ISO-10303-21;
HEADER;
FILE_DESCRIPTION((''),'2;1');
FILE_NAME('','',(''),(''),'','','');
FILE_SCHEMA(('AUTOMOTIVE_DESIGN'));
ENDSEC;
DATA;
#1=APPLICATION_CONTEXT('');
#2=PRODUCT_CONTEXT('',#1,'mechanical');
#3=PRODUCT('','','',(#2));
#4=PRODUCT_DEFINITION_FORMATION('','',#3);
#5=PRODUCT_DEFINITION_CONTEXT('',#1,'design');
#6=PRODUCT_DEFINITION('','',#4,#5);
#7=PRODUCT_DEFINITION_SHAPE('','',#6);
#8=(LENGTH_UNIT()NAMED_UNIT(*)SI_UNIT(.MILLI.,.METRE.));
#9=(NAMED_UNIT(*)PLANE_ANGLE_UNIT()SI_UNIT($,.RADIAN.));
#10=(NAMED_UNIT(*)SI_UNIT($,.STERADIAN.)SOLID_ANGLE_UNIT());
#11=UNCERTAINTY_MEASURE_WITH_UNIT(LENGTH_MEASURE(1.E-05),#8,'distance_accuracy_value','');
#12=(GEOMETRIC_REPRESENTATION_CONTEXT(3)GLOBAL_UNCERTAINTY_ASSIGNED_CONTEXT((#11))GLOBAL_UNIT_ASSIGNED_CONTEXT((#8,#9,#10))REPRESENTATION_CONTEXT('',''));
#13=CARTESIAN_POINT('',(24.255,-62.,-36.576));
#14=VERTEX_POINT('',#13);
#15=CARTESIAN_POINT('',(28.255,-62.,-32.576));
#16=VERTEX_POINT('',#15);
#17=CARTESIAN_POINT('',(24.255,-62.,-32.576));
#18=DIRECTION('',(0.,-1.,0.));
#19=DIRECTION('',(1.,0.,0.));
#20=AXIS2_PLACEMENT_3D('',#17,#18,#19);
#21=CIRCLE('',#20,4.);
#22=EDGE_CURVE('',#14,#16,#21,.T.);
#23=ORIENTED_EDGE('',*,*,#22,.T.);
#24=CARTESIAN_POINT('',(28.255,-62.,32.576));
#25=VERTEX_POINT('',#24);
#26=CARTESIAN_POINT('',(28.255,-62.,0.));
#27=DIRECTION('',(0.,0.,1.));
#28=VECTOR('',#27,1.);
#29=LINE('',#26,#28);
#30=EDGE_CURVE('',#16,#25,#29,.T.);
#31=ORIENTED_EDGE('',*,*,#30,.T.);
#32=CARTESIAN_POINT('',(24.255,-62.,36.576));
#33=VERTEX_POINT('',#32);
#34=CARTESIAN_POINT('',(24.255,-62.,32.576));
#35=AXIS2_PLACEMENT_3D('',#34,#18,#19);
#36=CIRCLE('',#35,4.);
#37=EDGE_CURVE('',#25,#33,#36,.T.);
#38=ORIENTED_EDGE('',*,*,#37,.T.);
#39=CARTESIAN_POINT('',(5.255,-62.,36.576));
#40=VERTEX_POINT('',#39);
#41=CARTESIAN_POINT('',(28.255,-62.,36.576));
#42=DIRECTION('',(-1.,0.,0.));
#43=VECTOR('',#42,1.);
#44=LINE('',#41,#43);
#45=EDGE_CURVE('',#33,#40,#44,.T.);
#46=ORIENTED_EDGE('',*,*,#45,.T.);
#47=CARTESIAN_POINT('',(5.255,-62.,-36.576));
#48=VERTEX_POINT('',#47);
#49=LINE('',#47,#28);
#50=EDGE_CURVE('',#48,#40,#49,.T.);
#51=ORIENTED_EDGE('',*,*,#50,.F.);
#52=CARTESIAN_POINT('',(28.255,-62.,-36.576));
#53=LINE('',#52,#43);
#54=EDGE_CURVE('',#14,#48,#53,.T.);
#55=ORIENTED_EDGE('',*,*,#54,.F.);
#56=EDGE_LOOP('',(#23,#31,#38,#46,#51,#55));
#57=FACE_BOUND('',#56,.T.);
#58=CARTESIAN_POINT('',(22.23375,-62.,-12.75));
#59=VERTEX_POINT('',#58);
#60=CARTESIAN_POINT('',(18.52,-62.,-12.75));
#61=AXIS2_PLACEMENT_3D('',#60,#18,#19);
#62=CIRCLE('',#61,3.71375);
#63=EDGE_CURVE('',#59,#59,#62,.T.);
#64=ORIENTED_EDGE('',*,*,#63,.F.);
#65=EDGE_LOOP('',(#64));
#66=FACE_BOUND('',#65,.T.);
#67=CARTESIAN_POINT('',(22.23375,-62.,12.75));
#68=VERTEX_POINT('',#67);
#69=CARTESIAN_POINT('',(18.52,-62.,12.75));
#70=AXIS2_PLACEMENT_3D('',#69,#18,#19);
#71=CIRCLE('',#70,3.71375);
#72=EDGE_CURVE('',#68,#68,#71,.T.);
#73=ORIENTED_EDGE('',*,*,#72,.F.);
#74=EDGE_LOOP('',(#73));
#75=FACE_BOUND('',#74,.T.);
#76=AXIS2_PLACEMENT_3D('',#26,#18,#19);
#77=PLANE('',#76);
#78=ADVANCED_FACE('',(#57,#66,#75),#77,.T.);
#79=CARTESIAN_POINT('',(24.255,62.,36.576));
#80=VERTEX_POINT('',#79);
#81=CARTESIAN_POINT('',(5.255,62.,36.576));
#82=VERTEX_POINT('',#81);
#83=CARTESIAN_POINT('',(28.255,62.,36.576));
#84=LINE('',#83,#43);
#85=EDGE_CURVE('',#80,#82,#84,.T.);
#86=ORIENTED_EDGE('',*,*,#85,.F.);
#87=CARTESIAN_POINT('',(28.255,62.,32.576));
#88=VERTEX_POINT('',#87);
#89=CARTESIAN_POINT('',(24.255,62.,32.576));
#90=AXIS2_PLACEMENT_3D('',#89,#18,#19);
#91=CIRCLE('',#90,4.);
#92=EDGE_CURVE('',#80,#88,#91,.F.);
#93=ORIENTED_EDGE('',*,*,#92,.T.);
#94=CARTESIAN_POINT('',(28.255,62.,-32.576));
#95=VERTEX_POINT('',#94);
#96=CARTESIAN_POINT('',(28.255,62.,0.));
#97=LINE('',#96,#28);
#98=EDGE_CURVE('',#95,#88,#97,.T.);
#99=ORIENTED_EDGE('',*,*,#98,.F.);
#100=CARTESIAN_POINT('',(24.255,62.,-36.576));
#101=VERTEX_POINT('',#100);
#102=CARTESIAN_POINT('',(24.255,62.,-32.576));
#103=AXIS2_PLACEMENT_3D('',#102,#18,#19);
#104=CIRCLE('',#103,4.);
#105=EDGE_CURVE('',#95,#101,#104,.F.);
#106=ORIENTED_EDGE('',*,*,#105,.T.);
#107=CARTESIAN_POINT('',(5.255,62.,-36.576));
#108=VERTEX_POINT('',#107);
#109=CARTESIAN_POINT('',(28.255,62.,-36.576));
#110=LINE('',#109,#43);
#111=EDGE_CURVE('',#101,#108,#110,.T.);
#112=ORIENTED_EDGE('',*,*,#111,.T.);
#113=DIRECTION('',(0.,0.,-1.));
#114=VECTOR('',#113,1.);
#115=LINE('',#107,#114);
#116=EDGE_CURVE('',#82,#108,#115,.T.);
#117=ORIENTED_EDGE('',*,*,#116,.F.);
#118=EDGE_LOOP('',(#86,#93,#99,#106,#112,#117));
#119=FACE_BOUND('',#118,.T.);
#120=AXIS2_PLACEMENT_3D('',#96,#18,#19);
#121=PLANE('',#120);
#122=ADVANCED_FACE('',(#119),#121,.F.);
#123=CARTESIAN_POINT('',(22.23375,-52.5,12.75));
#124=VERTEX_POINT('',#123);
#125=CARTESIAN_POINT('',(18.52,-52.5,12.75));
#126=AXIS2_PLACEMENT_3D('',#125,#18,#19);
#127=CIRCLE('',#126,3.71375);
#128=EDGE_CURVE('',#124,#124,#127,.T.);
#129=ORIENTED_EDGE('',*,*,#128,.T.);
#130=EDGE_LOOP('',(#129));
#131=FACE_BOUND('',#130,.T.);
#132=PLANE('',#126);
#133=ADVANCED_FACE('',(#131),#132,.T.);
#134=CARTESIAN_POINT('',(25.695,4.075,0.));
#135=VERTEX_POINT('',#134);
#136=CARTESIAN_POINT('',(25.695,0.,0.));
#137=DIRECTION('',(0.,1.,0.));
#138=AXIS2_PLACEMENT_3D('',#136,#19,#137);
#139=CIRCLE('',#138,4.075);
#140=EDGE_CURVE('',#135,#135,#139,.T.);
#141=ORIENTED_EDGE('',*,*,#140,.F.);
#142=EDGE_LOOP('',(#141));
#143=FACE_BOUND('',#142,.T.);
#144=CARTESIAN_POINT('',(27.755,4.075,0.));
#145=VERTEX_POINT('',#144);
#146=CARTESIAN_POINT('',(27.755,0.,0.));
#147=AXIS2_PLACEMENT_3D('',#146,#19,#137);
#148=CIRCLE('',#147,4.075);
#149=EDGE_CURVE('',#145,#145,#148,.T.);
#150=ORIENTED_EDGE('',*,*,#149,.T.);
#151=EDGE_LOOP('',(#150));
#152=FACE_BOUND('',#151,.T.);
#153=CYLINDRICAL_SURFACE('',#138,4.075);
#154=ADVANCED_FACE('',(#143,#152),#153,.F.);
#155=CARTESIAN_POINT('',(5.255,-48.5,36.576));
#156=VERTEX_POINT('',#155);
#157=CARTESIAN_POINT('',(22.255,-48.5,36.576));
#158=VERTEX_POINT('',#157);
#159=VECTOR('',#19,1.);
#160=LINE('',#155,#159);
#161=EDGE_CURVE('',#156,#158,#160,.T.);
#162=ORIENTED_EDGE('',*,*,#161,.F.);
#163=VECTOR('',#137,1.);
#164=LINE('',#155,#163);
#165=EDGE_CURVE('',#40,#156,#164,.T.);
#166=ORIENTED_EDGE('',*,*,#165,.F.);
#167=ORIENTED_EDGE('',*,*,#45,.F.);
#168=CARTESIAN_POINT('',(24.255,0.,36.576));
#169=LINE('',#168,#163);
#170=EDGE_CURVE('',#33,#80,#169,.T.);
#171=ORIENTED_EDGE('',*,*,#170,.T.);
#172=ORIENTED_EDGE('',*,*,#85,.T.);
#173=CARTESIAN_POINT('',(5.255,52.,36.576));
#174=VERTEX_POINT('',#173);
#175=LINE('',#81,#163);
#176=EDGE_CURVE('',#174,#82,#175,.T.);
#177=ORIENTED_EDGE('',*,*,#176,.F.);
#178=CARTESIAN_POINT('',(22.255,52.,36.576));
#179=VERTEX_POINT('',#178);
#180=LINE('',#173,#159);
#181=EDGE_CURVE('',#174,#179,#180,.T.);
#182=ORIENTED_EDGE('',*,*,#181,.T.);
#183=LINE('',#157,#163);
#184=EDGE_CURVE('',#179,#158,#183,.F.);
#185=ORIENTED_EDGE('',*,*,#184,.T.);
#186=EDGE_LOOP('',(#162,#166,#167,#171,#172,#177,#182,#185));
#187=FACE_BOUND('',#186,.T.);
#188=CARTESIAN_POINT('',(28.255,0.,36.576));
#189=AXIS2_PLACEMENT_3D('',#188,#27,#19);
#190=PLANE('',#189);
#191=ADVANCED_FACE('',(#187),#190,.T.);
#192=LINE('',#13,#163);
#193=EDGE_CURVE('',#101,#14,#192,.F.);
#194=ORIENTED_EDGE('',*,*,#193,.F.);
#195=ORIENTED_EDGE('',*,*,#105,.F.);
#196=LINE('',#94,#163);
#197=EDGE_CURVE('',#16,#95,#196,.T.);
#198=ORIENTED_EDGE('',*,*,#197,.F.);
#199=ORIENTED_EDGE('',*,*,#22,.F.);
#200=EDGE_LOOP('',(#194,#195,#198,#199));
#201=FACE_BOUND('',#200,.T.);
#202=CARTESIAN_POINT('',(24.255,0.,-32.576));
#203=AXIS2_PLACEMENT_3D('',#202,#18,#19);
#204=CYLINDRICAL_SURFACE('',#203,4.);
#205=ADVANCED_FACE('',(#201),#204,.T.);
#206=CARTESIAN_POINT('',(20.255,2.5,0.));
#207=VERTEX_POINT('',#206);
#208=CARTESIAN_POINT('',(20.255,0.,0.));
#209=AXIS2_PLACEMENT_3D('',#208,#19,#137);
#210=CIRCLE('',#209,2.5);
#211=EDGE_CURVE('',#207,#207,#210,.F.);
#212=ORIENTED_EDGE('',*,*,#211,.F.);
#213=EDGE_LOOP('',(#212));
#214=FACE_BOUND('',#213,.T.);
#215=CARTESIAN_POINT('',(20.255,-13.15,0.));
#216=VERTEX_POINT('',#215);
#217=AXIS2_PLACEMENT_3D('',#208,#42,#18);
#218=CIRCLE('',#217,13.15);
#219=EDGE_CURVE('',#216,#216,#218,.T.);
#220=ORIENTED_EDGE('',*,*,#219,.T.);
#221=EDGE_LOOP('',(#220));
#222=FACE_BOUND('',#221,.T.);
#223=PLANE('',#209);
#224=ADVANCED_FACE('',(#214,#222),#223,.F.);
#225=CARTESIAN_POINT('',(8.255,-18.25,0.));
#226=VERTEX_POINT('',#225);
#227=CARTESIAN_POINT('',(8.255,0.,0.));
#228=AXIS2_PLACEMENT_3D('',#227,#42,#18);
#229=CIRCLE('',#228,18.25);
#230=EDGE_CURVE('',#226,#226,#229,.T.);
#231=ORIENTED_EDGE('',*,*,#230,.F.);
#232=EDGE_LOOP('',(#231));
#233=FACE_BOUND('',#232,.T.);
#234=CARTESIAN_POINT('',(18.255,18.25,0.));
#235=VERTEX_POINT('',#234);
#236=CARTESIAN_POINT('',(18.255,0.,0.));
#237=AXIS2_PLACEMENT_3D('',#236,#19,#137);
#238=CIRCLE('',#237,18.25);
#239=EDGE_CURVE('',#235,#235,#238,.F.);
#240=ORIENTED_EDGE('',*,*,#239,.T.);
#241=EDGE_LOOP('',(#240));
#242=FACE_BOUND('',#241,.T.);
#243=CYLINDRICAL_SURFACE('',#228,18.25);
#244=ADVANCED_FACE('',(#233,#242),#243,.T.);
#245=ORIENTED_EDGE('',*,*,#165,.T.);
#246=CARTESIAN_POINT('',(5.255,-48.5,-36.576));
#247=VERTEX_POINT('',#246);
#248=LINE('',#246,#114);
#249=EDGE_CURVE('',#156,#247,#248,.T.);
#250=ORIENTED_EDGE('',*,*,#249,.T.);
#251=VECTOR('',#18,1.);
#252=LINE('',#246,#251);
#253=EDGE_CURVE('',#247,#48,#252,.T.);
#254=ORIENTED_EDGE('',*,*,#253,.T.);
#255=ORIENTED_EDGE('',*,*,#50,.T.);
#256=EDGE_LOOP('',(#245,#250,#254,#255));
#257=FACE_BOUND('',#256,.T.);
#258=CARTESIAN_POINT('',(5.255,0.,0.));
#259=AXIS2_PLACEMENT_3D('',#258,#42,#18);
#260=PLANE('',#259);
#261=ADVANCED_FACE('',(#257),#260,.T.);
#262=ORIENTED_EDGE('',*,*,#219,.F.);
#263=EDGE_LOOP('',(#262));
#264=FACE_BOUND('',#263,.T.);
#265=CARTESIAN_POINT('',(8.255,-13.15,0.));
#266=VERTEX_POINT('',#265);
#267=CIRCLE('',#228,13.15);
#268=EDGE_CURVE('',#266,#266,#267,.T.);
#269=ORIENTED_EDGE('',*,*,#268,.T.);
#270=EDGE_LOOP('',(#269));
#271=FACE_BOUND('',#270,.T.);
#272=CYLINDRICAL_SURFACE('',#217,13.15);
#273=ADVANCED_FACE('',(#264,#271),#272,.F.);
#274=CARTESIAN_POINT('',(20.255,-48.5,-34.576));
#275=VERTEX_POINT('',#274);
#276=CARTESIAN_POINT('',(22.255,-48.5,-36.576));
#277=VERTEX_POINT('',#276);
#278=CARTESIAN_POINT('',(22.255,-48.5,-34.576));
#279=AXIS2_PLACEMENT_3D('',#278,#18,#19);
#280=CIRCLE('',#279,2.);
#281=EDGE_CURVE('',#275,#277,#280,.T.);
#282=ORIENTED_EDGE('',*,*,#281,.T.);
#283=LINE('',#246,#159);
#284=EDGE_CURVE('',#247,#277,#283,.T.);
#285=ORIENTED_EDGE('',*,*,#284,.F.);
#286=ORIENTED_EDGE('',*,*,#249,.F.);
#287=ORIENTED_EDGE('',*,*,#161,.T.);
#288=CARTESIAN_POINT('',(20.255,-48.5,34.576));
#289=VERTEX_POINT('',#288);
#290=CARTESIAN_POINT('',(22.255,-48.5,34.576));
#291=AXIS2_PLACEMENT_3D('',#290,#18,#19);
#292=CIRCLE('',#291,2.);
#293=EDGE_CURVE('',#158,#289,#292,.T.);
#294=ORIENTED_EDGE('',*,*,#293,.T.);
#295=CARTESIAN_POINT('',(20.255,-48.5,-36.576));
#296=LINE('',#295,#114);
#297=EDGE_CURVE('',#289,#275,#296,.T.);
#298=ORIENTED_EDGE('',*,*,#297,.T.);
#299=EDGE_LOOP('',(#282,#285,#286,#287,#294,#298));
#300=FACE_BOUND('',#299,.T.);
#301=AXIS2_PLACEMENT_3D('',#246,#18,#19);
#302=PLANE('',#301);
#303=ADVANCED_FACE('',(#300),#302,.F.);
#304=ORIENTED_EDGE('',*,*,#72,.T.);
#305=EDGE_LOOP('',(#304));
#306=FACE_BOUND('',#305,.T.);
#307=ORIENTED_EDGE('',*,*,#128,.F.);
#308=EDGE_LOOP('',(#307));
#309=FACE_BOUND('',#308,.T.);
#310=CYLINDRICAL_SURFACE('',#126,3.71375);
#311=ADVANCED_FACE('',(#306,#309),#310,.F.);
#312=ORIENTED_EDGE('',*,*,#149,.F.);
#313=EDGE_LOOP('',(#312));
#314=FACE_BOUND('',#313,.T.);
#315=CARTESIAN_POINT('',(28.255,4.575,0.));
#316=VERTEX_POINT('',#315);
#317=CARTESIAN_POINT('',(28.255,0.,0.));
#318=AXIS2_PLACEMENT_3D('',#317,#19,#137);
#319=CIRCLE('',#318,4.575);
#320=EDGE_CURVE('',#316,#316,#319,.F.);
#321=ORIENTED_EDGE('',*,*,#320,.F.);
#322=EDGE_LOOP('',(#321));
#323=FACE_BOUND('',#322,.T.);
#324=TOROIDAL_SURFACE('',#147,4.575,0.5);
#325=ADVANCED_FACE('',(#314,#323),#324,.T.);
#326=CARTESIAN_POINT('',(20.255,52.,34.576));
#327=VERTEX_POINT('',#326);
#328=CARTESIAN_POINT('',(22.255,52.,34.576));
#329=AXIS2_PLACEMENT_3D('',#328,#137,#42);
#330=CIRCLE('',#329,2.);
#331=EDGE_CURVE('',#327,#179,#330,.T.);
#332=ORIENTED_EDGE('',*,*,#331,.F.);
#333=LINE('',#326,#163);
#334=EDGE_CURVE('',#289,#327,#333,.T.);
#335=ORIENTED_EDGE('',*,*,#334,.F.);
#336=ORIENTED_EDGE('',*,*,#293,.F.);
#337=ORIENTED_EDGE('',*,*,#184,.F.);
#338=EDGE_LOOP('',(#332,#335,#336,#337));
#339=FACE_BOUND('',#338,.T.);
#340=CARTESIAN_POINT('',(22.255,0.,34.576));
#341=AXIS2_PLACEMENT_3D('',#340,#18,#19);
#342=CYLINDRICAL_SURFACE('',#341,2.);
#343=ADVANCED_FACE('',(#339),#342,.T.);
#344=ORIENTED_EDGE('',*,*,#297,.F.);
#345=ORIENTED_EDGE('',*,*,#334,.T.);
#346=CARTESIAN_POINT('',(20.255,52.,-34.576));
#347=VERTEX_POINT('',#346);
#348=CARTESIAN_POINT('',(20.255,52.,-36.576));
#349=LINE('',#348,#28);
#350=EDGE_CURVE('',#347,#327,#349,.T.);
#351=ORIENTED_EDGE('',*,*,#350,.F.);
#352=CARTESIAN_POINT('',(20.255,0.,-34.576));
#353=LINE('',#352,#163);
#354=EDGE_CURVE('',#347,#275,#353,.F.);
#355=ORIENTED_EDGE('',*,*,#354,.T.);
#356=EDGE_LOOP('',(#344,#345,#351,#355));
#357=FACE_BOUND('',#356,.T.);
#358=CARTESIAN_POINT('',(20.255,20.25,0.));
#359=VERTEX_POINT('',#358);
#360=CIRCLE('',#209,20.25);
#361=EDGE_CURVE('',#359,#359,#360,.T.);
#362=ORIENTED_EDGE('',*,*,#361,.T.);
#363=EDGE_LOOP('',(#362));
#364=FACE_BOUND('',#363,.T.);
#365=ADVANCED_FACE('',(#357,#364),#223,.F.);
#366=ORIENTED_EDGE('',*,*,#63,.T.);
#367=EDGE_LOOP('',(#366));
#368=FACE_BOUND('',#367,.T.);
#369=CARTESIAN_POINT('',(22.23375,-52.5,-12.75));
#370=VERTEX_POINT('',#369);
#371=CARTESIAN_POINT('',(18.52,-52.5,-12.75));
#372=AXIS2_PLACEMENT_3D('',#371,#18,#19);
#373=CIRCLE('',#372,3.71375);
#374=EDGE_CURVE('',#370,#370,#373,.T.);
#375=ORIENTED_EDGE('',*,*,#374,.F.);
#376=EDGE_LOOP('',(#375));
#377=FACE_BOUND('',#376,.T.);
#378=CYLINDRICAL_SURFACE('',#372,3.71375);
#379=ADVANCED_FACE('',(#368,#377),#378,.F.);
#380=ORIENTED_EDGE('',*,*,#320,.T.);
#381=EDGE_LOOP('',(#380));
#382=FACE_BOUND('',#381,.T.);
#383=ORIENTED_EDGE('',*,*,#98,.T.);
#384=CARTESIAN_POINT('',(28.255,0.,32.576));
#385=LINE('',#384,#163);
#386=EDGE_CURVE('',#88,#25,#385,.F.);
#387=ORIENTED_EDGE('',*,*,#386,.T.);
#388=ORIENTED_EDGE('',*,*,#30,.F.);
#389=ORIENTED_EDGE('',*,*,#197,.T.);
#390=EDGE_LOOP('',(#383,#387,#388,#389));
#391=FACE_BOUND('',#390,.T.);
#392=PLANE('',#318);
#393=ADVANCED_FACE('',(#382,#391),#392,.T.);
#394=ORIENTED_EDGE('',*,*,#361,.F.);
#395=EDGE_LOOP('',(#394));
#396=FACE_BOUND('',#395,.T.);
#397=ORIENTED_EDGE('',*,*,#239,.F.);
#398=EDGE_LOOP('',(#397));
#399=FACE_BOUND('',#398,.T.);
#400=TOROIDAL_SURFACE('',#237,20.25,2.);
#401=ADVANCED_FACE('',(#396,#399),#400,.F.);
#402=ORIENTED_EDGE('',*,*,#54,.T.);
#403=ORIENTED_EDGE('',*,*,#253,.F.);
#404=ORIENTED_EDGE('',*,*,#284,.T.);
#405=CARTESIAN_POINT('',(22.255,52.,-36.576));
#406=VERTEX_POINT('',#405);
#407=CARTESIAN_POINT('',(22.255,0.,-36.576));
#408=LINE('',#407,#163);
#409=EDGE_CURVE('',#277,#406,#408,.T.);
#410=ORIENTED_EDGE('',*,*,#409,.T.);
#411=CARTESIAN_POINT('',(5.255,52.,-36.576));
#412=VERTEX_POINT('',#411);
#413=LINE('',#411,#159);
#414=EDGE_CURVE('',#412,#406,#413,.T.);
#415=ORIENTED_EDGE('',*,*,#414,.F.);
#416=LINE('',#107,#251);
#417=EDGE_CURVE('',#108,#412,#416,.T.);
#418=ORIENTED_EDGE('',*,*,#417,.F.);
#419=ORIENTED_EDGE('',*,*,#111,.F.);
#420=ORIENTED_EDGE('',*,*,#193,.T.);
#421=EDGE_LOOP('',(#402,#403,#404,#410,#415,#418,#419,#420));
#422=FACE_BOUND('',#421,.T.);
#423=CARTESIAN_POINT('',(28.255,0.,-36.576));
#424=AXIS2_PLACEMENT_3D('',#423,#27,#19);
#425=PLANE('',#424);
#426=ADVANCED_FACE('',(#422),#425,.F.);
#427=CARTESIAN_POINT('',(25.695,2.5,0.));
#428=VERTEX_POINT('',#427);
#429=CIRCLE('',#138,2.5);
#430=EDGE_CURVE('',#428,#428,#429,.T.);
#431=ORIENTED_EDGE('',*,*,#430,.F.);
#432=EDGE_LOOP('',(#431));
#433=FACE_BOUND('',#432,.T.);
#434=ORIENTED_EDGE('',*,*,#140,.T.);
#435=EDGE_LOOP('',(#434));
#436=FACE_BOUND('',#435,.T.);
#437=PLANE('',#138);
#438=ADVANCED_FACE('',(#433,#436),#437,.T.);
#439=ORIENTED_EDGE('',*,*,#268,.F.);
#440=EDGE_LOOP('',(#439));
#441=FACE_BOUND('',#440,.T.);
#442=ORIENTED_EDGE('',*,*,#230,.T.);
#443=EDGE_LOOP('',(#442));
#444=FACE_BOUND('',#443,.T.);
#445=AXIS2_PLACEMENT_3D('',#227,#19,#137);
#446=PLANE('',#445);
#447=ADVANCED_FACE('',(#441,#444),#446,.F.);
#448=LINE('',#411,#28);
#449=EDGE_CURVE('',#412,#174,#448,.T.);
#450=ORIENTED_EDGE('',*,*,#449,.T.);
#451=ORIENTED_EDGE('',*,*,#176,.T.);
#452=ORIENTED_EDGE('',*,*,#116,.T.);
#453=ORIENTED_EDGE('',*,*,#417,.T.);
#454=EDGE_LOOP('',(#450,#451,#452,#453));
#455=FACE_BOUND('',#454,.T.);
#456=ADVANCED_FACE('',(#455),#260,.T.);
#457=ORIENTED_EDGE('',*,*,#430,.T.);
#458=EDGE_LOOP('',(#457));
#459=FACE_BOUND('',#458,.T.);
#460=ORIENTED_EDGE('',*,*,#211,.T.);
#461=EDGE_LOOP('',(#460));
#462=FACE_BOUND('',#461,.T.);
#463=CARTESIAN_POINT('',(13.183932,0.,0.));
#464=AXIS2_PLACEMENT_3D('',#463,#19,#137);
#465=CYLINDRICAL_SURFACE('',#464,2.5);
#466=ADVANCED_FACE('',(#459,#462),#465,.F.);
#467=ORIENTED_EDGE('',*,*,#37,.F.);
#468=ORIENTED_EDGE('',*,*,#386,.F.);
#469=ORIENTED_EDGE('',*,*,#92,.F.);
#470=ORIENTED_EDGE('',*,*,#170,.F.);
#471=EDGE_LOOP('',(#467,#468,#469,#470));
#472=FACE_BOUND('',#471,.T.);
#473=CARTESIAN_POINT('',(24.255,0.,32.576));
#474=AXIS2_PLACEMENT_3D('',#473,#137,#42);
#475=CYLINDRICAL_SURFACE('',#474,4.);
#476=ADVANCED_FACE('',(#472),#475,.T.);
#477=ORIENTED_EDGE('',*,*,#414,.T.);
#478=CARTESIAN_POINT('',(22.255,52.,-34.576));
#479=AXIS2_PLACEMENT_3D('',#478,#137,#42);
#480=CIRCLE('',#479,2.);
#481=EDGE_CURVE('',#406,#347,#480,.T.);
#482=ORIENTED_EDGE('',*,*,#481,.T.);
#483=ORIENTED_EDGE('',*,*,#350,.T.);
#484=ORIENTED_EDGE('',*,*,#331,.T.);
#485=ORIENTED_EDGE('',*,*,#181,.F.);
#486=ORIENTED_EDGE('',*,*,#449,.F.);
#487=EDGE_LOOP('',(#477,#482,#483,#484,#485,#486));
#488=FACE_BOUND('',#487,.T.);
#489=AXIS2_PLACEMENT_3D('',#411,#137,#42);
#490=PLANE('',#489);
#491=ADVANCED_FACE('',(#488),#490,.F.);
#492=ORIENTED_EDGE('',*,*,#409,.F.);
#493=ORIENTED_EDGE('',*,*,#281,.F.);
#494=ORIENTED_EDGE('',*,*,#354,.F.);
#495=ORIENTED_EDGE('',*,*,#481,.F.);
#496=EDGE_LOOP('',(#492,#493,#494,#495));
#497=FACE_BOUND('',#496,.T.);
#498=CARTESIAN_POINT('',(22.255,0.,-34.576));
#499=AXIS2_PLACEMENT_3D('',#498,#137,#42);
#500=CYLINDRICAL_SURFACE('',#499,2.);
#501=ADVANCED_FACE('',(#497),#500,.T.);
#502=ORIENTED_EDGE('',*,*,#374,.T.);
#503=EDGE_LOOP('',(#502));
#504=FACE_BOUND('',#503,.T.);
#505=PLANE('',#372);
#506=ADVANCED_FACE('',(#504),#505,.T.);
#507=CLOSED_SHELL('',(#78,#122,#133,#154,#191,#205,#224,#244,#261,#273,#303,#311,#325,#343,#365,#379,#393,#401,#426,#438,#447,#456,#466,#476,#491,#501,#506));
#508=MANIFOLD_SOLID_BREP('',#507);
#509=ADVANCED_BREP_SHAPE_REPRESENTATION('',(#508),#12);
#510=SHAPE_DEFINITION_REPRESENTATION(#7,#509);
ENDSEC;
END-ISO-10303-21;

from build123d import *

# Parameters (mm, degrees)
SKETCH1_W           = 12
SKETCH1_H           = 18.25
SKETCH2_R           = 3.7145
CUT_EXTRUDE1_DEPTH  = 8.5725
SKETCH3_W           = 73.152
SKETCH3_H           = 124
BOSS_EXTRUDE1_DEPTH = 8
FILLET1_R           = 4
SKETCH6_R           = 13.15
CUT_EXTRUDE2_DEPTH  = 12
SKETCH12_R          = 4.075
CUT_EXTRUDE6_DEPTH  = 2.56
SKETCH12_6_R        = 2.5
CUT_EXTRUDE7_DEPTH  = 8
FILLET2_R           = 0.5
SKETCH13_W          = 73.152
SKETCH13_H          = 13.5
SKETCH13_H_2        = 10
BOSS_EXTRUDE3_DEPTH = 15
FILLET3_R           = 2
SKETCH14_R          = 3.71375
CUT_EXTRUDE8_DEPTH  = 9.5


with BuildPart() as part:
    # Sketch1 → Revolve1 (revolve)
    with BuildSketch(Plane.XY):
        with Locations((14.255, 9.125)):
            Rectangle(SKETCH1_W, SKETCH1_H)
    revolve(axis=Axis((8.255, 0, 0), (1, 0, 0)))

    # Sketch2 → Cut-Extrude1 (cut)
    with BuildSketch(Plane.ZY.offset(-8.255)):
        Circle(SKETCH2_R)
    extrude(amount=-CUT_EXTRUDE1_DEPTH, mode=Mode.SUBTRACT)

    # Sketch6 → Cut-Extrude2 (cut)
    with BuildSketch(Plane.ZY.offset(-8.255)):
        Circle(SKETCH6_R)
    extrude(amount=-CUT_EXTRUDE2_DEPTH, mode=Mode.SUBTRACT)


with BuildPart() as body_2:
    # Sketch3 → Boss-Extrude1 (new body)
    with BuildSketch(Plane(origin=(20.255, 0, 0), x_dir=(0, 0, -1), z_dir=(1, 0, 0))):
        Rectangle(SKETCH3_W, SKETCH3_H)
    extrude(amount=BOSS_EXTRUDE1_DEPTH)

    # Fillet1
    fillet1_edges = [body_2.edges().sort_by_distance(p)[0] for p in [
        (28.255, 0, -36.576),
        (28.255, 0, 36.576),
    ]]
    fillet(fillet1_edges, radius=FILLET1_R)

    # Sketch12 → Cut-Extrude6 (cut)
    with BuildSketch(Plane(origin=(28.255, 0, 0), x_dir=(0, 0, -1), z_dir=(1, 0, 0))):
        Circle(SKETCH12_R)
    extrude(amount=-CUT_EXTRUDE6_DEPTH, mode=Mode.SUBTRACT)

    # Sketch12<6> → Cut-Extrude7 (cut)
    with BuildSketch(Plane(origin=(28.255, 0, 0), x_dir=(0, 0, -1), z_dir=(1, 0, 0))):
        Circle(SKETCH12_6_R)
    extrude(amount=-CUT_EXTRUDE7_DEPTH, mode=Mode.SUBTRACT)

    # Fillet2
    fillet2_edges = [body_2.edges().sort_by_distance(p)[0] for p in [
        (28.255, 0, 4.075),
    ]]
    fillet(fillet2_edges, radius=FILLET2_R)


with BuildPart() as part_1:
    add(part.part)

    # Combine1: union body 2
    add(body_2.part)

    # Sketch13 → Boss-Extrude3 (add)
    with BuildSketch(Plane.ZY.offset(-20.255)):
        with Locations((0, -55.25)):
            Rectangle(SKETCH13_W, SKETCH13_H)
        with Locations((0, 57)):
            Rectangle(SKETCH13_W, SKETCH13_H_2)
    extrude(amount=BOSS_EXTRUDE3_DEPTH)

    # Fillet3
    fillet3_edges = [part_1.edges().sort_by_distance(p)[0] for p in [
        (20.255, -18.25, 0),
        (20.255, 1.75, 36.576),
        (20.255, 1.75, -36.576),
    ]]
    fillet(fillet3_edges, radius=FILLET3_R)

    # Sketch14 → Cut-Extrude8 (cut)
    with BuildSketch(Plane.XZ.offset(62)):
        with Locations((18.52, 12.75)):
            Circle(SKETCH14_R)
        with Locations((18.52, -12.75)):
            Circle(SKETCH14_R)
    extrude(amount=-CUT_EXTRUDE8_DEPTH, mode=Mode.SUBTRACT)


solid = part_1.part
